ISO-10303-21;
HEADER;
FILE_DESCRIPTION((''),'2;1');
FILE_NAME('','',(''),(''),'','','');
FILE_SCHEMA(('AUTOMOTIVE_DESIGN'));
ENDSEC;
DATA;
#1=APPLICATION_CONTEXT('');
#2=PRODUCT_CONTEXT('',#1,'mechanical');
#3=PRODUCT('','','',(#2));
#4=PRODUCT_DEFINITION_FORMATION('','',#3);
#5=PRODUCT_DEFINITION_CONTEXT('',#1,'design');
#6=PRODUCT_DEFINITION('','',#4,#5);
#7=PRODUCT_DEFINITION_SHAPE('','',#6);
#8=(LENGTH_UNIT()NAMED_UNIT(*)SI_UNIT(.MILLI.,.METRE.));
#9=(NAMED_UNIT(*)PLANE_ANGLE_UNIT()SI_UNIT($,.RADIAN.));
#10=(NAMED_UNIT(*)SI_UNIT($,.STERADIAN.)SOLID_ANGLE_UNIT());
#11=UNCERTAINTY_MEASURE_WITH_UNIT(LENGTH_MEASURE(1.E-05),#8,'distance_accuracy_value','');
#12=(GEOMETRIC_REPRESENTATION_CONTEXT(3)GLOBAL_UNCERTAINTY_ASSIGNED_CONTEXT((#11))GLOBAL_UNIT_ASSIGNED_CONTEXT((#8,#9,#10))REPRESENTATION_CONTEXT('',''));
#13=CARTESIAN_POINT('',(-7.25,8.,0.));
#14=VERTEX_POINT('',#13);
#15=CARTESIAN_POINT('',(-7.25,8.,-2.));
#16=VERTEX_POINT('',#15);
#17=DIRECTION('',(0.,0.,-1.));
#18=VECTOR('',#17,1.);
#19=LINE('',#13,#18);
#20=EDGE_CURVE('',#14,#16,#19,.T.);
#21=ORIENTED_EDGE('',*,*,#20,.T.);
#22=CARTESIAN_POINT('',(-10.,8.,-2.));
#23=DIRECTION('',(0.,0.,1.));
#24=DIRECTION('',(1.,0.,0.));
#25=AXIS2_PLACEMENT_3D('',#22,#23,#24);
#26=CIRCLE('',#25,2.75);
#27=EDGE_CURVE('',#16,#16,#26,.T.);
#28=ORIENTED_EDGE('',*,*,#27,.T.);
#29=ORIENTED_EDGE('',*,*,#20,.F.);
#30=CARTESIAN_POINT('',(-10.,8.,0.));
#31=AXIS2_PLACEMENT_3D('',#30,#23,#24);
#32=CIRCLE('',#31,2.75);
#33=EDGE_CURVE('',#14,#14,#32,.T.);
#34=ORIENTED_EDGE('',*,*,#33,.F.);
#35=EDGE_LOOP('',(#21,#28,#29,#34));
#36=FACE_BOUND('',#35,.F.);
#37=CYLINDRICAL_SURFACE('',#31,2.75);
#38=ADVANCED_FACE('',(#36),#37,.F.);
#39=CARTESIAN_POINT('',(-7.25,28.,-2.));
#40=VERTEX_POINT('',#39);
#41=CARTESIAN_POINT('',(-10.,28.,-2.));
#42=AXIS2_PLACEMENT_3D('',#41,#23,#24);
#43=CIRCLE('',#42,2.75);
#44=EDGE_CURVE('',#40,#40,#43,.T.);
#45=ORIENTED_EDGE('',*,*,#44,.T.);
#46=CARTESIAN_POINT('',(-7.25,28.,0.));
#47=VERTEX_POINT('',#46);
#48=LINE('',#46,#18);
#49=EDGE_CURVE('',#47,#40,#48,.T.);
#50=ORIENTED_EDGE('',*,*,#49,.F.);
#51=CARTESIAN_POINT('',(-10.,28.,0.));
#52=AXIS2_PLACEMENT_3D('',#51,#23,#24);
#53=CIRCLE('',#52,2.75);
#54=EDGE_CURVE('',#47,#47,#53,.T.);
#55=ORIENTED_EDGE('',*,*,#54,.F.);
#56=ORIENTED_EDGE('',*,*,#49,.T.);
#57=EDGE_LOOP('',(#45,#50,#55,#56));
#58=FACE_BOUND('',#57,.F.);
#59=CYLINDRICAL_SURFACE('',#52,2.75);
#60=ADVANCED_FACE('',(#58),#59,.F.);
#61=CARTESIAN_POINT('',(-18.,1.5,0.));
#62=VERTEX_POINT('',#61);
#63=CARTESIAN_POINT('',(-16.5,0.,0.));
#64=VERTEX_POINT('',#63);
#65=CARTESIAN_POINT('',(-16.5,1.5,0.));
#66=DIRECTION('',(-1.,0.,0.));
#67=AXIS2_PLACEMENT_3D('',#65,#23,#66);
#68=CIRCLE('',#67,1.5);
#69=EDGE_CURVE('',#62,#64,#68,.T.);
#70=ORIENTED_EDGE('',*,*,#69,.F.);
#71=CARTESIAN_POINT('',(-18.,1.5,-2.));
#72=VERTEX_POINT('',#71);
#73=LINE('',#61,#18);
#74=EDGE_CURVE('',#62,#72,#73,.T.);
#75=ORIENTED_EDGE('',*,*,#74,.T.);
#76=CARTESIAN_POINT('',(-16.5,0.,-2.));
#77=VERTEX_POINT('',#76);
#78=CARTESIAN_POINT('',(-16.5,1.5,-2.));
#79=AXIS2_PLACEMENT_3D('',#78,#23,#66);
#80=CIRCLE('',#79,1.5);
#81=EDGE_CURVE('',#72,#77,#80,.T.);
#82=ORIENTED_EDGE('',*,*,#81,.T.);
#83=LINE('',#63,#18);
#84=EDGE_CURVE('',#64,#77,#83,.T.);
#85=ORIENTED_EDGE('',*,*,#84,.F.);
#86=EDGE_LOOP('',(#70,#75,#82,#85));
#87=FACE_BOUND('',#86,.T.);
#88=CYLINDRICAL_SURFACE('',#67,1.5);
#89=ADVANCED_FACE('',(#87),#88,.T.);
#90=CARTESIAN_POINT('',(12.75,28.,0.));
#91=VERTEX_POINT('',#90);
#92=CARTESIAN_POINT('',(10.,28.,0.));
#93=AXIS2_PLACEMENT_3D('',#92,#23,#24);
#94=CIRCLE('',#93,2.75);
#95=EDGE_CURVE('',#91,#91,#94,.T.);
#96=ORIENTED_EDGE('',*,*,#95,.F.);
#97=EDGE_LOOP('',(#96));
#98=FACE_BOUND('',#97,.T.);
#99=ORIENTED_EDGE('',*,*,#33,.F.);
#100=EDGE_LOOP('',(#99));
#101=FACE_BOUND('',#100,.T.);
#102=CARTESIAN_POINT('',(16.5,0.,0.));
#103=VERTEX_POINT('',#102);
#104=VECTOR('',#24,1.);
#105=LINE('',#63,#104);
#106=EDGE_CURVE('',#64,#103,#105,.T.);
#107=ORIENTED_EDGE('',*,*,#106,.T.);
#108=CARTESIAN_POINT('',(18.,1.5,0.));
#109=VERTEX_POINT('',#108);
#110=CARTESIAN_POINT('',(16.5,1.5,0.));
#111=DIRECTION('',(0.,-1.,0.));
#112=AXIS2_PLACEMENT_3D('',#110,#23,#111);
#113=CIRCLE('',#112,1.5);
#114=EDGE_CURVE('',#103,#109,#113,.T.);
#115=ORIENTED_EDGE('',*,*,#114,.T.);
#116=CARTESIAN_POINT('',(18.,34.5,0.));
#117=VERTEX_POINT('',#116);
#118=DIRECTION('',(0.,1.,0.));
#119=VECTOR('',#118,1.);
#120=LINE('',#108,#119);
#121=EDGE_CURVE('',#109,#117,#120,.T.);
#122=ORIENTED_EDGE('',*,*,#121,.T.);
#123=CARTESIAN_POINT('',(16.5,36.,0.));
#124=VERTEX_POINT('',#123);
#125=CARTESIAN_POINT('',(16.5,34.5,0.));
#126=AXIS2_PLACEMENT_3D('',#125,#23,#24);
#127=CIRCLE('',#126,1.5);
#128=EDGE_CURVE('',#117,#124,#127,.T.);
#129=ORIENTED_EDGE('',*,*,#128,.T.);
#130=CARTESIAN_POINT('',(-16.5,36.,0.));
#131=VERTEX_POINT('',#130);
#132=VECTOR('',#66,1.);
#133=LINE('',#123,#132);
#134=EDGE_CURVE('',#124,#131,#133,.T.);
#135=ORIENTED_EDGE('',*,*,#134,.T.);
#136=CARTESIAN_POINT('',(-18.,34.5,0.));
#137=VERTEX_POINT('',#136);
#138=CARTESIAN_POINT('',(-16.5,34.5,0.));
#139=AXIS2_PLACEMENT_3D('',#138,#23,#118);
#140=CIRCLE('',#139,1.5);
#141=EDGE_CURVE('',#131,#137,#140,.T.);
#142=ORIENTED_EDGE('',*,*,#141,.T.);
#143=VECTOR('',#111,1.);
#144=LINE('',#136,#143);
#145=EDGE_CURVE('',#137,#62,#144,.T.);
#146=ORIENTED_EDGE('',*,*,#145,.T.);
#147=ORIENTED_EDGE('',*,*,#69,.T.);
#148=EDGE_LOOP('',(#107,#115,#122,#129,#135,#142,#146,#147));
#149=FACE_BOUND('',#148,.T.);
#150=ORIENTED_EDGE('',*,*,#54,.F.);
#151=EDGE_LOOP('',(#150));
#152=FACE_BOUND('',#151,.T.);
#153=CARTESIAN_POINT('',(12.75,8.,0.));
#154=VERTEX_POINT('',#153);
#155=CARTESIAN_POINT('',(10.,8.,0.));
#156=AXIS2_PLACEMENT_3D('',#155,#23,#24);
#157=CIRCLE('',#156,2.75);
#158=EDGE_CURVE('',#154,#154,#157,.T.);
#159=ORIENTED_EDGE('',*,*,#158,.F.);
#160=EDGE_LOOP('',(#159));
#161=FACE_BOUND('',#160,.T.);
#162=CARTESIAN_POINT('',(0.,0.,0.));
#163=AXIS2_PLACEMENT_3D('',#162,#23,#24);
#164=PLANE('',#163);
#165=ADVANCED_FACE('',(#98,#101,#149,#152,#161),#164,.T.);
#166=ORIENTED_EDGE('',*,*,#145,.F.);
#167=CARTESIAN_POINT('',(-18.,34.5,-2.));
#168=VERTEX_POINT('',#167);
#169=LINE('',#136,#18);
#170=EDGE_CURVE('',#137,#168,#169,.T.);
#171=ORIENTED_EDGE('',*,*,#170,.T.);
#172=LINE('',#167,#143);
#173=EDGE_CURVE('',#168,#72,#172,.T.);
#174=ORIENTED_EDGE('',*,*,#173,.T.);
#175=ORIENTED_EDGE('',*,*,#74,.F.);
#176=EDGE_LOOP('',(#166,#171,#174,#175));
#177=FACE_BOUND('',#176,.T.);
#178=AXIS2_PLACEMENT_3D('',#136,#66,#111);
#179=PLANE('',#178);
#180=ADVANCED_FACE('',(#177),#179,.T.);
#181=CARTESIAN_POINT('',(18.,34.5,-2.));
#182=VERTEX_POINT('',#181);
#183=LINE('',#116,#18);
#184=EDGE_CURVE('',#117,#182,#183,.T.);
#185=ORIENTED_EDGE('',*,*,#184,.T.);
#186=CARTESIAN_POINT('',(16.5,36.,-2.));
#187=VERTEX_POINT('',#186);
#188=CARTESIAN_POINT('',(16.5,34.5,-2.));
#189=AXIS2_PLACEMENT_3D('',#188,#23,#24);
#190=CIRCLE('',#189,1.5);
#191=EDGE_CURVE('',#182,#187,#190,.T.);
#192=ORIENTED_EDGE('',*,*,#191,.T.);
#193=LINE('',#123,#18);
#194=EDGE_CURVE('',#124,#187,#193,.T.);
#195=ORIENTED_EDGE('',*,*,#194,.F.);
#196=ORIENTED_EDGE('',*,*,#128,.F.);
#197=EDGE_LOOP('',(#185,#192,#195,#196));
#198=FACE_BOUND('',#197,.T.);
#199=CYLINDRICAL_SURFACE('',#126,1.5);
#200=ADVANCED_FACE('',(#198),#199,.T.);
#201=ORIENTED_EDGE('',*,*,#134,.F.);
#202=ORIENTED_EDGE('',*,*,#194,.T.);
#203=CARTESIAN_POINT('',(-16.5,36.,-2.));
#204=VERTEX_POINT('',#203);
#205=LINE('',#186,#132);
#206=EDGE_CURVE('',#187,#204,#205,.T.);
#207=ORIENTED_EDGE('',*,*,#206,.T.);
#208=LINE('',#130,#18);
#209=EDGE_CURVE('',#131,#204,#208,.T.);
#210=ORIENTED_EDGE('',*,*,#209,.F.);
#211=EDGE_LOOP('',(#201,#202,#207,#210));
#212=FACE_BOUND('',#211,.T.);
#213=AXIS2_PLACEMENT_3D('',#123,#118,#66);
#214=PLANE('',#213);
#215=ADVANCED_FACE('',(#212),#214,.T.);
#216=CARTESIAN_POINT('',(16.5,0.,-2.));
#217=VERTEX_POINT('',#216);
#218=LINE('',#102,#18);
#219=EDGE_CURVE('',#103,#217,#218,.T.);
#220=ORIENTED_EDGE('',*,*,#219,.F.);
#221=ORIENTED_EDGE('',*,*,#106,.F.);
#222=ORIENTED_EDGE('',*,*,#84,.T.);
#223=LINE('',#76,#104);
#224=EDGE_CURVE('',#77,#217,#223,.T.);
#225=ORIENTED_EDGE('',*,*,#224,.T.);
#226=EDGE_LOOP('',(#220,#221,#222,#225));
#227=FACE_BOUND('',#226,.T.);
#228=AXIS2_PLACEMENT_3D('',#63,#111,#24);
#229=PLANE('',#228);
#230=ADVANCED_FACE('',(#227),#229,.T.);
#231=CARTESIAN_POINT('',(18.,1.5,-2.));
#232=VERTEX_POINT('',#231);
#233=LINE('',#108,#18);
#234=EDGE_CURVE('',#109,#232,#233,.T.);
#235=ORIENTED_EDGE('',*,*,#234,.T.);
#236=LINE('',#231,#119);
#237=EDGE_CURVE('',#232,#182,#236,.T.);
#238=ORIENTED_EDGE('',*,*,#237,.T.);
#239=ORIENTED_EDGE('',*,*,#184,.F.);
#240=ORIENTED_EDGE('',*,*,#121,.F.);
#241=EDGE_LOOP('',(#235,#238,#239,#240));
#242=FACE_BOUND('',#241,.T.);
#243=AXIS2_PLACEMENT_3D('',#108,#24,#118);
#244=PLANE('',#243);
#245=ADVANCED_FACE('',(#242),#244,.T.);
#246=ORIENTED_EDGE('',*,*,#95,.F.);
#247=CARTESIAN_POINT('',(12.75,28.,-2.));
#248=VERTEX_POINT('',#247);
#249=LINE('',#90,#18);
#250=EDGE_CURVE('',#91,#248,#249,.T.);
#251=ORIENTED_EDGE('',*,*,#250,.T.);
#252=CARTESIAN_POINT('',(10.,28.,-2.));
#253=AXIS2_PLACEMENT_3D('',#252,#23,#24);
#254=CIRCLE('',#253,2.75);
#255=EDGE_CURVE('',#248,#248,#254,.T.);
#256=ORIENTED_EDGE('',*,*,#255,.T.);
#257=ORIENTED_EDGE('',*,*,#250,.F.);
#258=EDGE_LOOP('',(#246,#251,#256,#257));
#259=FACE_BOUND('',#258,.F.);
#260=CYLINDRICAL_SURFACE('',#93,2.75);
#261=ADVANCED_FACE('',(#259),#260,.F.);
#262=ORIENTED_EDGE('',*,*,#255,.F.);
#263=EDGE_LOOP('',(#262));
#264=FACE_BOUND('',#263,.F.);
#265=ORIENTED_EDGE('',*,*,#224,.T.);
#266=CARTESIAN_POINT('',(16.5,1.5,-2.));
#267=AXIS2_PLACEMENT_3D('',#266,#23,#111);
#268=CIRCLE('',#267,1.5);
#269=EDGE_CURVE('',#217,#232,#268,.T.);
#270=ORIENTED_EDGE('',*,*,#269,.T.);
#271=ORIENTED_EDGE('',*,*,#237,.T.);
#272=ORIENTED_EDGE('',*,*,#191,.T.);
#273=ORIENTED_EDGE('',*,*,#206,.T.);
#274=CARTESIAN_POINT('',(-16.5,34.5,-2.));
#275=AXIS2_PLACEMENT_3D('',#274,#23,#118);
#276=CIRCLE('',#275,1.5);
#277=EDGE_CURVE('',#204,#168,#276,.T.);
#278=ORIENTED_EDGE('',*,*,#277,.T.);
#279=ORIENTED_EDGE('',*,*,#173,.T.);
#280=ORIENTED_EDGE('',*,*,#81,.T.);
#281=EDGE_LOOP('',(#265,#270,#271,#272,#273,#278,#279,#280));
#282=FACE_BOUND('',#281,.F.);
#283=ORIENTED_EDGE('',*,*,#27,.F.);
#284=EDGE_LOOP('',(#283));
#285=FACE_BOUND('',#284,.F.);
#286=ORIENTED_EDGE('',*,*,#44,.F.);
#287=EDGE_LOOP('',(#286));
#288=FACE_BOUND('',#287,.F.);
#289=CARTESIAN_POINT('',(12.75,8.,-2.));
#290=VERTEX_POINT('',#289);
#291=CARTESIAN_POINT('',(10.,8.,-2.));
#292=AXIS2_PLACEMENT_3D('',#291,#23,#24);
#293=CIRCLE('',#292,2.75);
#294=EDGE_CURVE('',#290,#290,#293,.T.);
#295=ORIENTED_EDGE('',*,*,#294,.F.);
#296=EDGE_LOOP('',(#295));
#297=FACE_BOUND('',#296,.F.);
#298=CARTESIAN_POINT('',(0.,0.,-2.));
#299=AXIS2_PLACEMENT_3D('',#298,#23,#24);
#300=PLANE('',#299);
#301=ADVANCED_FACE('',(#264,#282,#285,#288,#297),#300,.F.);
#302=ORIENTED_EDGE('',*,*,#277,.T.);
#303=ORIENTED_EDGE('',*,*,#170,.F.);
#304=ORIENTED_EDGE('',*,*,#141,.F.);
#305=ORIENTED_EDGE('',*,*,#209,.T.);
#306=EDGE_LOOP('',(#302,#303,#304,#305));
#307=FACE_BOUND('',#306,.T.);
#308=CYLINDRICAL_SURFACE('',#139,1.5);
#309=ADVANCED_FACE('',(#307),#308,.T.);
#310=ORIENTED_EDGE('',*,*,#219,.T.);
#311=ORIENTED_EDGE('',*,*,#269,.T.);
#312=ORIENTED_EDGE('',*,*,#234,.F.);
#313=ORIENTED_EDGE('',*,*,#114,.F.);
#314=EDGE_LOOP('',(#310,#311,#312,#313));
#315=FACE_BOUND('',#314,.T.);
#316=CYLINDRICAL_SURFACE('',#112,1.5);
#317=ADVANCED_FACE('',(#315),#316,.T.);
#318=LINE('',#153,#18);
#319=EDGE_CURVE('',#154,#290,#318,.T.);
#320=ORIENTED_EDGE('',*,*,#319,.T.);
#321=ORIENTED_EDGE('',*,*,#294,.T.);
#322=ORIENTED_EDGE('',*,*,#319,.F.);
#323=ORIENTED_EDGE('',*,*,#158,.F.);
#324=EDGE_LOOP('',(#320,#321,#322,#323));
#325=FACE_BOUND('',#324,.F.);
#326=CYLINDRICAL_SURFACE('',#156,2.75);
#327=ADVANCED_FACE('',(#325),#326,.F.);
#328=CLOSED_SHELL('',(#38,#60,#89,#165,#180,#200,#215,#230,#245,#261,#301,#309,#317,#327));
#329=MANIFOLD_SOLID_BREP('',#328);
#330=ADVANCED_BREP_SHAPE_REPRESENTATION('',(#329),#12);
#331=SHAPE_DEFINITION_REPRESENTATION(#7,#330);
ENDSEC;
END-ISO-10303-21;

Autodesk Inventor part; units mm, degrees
sketch "Sketch_1" plane through (0, 0, 0) normal (0, 0, 1) x (1, 0, 0)
  arc A0 (-18, 1.5) -> (-16.5, 0) centre (-16.5, 1.5) ccw
  line L0 (-16.5, 0) -> (16.5, 0)
  arc A1 (16.5, 0) -> (18, 1.5) centre (16.5, 1.5) ccw
  line L1 (18, 1.5) -> (18, 34.5)
  arc A2 (18, 34.5) -> (16.5, 36) centre (16.5, 34.5) ccw
  line L2 (16.5, 36) -> (-16.5, 36)
  arc A3 (-16.5, 36) -> (-18, 34.5) centre (-16.5, 34.5) ccw
  line L3 (-18, 34.5) -> (-18, 1.5)
  circle A4 centre (10, 28) radius 2.75
  circle A5 centre (10, 8) radius 2.75
  circle A6 centre (-10, 28) radius 2.75
  circle A7 centre (-10, 8) radius 2.75
extrude "Extrusion1" add sketch "Sketch_1" against normal blind 2
ref_plane "to_bolt1_XY" through (-10, 8, 0) normal (0, 0, 1) x (1, 0, 0)
ref_plane "to_bolt1_YZ" through (-10, 8, 0) normal (1, 0, 0) x (0, 1, 0)
ref_plane "to_bolt1_ZX" through (-10, 8, 0) normal (0, 1, 0) x (0, 0, 1)
ref_plane "to_bolt2_XY" through (-10, 28, 0) normal (0, 0, 1) x (1, 0, 0)
ref_plane "to_bolt2_YZ" through (-10, 28, 0) normal (1, 0, 0) x (0, 1, 0)
ref_plane "to_bolt2_ZX" through (-10, 28, 0) normal (0, 1, 0) x (0, 0, 1)
ref_plane "to_dummy_XY" through (0, 18, 0) normal (0, 0, 1) x (1, 0, 0)
ref_plane "to_dummy_YZ" through (0, 18, 0) normal (1, 0, 0) x (0, 1, 0)
ref_plane "to_dummy_ZX" through (0, 18, 0) normal (0, 1, 0) x (0, 0, 1)
ref_plane "to_nut1_XY" through (-10, 8, -2) normal (0, 0, 1) x (1, 0, 0)
ref_plane "to_nut1_YZ" through (-10, 8, -2) normal (1, 0, 0) x (0, 1, 0)
ref_plane "to_nut1_ZX" through (-10, 8, -2) normal (0, 1, 0) x (0, 0, 1)
ref_plane "to_nut2_XY" through (-10, 28, -2) normal (0, 0, 1) x (1, 0, 0)
ref_plane "to_nut2_YZ" through (-10, 28, -2) normal (1, 0, 0) x (0, 1, 0)
ref_plane "to_nut2_ZX" through (-10, 28, -2) normal (0, 1, 0) x (0, 0, 1)
ref_plane "x1_to_bolt_XY" through (10, 8, 0) normal (0, 0, 1) x (1, 0, 0)
ref_plane "x1_to_bolt_YZ" through (10, 8, 0) normal (1, 0, 0) x (0, 1, 0)
ref_plane "x1_to_bolt_ZX" through (10, 8, 0) normal (0, 1, 0) x (0, 0, 1)
ref_plane "x2_to_bolt_XY" through (10, 28, 0) normal (0, 0, 1) x (1, 0, 0)
ref_plane "x2_to_bolt_YZ" through (10, 28, 0) normal (1, 0, 0) x (0, 1, 0)
ref_plane "x2_to_bolt_ZX" through (10, 28, 0) normal (0, 1, 0) x (0, 0, 1)
ref_plane "x3_to_bolt_XY" through (0, 10, 0) normal (0, 0, 1) x (1, 0, 0)
ref_plane "x3_to_bolt_YZ" through (0, 10, 0) normal (1, 0, 0) x (0, 1, 0)
ref_plane "x3_to_bolt_ZX" through (0, 10, 0) normal (0, 1, 0) x (0, 0, 1)
ref_plane "x4_to_bolt_XY" through (0, 30, 0) normal (0, 0, 1) x (1, 0, 0)
ref_plane "x4_to_bolt_YZ" through (0, 30, 0) normal (1, 0, 0) x (0, 1, 0)
ref_plane "x4_to_bolt_ZX" through (0, 30, 0) normal (0, 1, 0) x (0, 0, 1)
properties part number "SHPTSD5-1" material "Stainless Steel"
